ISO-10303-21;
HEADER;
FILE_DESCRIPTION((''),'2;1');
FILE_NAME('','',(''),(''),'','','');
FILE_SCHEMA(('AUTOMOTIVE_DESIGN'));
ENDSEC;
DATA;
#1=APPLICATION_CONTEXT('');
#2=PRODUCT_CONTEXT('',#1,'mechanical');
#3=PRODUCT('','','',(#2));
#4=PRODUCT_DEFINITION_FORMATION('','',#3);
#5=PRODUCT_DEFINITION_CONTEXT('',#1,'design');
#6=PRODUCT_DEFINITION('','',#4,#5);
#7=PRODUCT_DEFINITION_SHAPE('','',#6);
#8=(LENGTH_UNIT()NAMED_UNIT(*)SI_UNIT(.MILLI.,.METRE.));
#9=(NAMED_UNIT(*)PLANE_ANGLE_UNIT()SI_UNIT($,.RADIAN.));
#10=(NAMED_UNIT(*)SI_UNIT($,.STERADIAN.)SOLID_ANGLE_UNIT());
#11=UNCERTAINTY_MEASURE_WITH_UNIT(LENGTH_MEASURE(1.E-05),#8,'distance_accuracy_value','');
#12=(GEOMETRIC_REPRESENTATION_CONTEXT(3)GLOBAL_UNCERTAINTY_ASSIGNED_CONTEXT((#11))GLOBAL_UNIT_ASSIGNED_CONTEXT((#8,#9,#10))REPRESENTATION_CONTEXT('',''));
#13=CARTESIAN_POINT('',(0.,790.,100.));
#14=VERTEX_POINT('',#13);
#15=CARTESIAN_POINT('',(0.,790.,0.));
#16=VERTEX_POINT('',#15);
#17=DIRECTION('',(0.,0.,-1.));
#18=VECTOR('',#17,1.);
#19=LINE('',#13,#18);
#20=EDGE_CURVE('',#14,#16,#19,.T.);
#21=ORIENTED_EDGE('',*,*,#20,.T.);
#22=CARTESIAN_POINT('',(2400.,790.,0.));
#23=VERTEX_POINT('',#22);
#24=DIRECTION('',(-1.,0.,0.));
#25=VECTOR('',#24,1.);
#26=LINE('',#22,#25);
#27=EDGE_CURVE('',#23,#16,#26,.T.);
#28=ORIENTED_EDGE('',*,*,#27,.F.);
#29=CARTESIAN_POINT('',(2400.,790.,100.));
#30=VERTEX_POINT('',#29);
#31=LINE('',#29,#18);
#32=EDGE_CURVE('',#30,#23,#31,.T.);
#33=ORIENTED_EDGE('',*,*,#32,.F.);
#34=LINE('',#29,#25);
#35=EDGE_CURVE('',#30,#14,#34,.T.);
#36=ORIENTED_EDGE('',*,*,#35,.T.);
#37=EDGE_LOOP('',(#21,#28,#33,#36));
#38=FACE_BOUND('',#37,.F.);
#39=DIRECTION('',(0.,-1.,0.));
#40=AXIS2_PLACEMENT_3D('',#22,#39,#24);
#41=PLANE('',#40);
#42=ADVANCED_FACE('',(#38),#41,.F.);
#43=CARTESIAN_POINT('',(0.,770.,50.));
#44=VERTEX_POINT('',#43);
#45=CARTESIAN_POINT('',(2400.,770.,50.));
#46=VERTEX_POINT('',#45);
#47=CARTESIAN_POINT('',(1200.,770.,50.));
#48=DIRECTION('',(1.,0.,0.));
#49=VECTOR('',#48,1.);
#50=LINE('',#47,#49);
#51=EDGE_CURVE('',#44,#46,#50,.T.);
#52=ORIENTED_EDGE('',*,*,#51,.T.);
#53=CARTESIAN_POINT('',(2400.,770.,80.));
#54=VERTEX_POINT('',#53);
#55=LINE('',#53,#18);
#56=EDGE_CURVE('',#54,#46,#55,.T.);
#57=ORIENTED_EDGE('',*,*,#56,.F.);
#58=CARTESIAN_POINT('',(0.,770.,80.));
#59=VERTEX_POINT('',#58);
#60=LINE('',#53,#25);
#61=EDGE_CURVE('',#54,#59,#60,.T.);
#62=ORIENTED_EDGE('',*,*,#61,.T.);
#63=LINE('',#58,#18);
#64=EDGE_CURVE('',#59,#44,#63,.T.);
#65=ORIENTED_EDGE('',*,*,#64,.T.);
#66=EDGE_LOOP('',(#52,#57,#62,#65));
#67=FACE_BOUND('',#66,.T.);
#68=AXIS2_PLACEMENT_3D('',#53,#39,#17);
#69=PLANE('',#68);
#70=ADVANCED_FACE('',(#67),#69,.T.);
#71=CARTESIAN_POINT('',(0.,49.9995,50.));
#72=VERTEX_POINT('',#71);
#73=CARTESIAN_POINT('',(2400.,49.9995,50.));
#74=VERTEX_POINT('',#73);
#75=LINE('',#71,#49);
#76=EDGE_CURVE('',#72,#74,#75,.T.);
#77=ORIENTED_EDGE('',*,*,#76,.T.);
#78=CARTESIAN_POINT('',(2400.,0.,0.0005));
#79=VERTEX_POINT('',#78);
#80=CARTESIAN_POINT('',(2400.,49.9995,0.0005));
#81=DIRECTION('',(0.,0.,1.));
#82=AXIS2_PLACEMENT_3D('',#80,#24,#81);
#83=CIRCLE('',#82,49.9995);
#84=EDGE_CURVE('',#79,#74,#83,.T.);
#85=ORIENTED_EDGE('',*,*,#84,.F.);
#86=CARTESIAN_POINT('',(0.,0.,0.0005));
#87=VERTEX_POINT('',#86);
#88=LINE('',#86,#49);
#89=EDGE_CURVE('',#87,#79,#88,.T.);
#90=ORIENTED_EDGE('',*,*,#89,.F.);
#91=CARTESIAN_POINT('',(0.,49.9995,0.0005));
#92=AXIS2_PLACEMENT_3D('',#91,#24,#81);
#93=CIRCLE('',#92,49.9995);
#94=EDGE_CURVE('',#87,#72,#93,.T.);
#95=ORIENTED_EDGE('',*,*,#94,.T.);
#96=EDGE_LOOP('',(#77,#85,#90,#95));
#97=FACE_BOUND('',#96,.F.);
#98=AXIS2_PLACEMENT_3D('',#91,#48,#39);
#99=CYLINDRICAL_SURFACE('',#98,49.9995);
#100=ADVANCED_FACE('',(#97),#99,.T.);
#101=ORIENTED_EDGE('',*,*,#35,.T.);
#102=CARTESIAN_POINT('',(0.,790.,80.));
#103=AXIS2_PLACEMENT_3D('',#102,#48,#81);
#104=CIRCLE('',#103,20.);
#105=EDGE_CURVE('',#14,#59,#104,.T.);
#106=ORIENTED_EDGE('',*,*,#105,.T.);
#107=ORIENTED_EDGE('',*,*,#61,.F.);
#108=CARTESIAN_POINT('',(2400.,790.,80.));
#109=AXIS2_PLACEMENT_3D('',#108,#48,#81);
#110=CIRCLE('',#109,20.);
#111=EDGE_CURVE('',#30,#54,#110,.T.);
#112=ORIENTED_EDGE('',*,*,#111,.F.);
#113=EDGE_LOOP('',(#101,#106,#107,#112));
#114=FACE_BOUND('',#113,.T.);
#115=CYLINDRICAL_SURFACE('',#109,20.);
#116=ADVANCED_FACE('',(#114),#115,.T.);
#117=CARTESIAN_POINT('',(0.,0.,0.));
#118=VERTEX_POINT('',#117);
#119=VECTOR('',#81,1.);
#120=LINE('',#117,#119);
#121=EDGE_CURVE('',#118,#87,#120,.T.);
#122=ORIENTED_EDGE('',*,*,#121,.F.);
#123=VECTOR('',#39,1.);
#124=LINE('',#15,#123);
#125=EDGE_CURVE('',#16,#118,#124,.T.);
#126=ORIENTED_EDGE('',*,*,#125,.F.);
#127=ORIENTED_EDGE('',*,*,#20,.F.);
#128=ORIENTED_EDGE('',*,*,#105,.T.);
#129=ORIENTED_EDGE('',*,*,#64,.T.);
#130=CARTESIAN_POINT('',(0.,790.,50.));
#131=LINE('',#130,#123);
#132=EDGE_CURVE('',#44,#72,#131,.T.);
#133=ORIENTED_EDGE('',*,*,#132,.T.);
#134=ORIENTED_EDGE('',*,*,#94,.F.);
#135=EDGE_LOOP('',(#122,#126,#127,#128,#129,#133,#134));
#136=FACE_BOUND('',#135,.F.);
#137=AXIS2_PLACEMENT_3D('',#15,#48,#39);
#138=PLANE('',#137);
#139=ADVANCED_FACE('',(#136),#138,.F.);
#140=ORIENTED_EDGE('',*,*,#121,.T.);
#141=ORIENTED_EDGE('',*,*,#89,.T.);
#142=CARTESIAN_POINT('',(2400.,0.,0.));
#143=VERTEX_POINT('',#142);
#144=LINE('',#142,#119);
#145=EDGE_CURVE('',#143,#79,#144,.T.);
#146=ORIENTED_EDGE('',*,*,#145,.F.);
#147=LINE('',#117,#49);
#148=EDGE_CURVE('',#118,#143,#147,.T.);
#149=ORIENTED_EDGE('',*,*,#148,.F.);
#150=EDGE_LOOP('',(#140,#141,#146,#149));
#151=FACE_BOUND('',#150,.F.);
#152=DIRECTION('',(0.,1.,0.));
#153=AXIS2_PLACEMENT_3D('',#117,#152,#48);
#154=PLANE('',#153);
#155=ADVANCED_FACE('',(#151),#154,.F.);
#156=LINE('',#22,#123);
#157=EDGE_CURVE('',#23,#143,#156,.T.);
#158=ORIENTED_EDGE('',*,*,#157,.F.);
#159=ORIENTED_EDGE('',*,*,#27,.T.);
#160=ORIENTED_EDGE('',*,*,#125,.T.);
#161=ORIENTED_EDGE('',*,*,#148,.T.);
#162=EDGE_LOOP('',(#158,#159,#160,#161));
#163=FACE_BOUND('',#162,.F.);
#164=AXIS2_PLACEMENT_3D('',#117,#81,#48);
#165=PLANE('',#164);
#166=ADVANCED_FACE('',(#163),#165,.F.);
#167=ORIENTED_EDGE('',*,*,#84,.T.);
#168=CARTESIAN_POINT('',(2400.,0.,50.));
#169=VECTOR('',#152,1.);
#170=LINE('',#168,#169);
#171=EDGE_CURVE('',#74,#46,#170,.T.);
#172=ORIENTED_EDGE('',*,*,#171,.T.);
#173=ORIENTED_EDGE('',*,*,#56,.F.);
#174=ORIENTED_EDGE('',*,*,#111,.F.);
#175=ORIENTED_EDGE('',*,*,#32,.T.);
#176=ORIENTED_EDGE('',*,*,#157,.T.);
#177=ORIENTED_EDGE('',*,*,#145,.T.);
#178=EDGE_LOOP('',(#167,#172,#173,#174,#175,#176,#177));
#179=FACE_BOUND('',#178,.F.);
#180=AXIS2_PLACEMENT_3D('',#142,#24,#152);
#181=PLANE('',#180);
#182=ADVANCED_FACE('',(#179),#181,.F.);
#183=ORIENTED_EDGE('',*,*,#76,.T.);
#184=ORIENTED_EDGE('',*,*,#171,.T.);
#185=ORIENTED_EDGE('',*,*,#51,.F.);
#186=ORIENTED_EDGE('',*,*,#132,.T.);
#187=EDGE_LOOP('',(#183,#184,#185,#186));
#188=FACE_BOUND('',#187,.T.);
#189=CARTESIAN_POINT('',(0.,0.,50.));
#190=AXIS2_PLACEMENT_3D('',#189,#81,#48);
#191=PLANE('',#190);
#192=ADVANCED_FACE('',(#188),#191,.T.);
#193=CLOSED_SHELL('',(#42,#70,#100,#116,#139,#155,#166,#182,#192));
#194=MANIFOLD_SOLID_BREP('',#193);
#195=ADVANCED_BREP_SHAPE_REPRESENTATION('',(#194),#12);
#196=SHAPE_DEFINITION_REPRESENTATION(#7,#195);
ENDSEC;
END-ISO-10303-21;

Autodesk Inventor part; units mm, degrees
ref_plane "YZ Plane" through (0, 0, 0) normal (1, 0, 0) x (0, 1, 0)
ref_plane "XZ Plane" through (0, 0, 0) normal (0, 1, 0) x (-1, 0, 0)
ref_plane "XY Plane" through (0, 0, 0) normal (0, 0, 1) x (1, 0, 0)
sketch "Sketch1" plane through (0, 0, 0) normal (0, 0, 1) x (1, 0, 0)
  line L0 (0, 0) -> (2400, 0)
  line L1 (2400, 0) -> (2400, 790)
  line L2 (2400, 790) -> (0, 790)
  line L3 (0, 790) -> (0, 0)
  dimension "ancho" = 2400
  dimension "d1" = 790
extrude "Extrusion1" add sketch "Sketch1" along normal blind 50
fillet "Fillet1" radius 50 1 edges at (1200, 0, 50)
sketch "Sketch2" plane through (2400, 790, 50) normal (1, 0, 0) x (0, 0, -1)
  line L0 (50, 0) -> (-50, 0)
  line L1 (-50, 0) -> (-50, 0)
  line L2 (-30, -20) -> (50, -20)
  line L3 (50, -20) -> (50, 0)
  arc A0 (-50, 0) -> (-30, -20) centre (-30, 0) ccw
  point P0 (50, -790)
  point P1 (-50, -20)
  dimension "d5" = 100
  dimension "d6" = 20
  dimension "d7" = 20
extrude "Extrusion2" add sketch "Sketch2" against normal up to surface (2400 mm away)
properties part number "meson"
